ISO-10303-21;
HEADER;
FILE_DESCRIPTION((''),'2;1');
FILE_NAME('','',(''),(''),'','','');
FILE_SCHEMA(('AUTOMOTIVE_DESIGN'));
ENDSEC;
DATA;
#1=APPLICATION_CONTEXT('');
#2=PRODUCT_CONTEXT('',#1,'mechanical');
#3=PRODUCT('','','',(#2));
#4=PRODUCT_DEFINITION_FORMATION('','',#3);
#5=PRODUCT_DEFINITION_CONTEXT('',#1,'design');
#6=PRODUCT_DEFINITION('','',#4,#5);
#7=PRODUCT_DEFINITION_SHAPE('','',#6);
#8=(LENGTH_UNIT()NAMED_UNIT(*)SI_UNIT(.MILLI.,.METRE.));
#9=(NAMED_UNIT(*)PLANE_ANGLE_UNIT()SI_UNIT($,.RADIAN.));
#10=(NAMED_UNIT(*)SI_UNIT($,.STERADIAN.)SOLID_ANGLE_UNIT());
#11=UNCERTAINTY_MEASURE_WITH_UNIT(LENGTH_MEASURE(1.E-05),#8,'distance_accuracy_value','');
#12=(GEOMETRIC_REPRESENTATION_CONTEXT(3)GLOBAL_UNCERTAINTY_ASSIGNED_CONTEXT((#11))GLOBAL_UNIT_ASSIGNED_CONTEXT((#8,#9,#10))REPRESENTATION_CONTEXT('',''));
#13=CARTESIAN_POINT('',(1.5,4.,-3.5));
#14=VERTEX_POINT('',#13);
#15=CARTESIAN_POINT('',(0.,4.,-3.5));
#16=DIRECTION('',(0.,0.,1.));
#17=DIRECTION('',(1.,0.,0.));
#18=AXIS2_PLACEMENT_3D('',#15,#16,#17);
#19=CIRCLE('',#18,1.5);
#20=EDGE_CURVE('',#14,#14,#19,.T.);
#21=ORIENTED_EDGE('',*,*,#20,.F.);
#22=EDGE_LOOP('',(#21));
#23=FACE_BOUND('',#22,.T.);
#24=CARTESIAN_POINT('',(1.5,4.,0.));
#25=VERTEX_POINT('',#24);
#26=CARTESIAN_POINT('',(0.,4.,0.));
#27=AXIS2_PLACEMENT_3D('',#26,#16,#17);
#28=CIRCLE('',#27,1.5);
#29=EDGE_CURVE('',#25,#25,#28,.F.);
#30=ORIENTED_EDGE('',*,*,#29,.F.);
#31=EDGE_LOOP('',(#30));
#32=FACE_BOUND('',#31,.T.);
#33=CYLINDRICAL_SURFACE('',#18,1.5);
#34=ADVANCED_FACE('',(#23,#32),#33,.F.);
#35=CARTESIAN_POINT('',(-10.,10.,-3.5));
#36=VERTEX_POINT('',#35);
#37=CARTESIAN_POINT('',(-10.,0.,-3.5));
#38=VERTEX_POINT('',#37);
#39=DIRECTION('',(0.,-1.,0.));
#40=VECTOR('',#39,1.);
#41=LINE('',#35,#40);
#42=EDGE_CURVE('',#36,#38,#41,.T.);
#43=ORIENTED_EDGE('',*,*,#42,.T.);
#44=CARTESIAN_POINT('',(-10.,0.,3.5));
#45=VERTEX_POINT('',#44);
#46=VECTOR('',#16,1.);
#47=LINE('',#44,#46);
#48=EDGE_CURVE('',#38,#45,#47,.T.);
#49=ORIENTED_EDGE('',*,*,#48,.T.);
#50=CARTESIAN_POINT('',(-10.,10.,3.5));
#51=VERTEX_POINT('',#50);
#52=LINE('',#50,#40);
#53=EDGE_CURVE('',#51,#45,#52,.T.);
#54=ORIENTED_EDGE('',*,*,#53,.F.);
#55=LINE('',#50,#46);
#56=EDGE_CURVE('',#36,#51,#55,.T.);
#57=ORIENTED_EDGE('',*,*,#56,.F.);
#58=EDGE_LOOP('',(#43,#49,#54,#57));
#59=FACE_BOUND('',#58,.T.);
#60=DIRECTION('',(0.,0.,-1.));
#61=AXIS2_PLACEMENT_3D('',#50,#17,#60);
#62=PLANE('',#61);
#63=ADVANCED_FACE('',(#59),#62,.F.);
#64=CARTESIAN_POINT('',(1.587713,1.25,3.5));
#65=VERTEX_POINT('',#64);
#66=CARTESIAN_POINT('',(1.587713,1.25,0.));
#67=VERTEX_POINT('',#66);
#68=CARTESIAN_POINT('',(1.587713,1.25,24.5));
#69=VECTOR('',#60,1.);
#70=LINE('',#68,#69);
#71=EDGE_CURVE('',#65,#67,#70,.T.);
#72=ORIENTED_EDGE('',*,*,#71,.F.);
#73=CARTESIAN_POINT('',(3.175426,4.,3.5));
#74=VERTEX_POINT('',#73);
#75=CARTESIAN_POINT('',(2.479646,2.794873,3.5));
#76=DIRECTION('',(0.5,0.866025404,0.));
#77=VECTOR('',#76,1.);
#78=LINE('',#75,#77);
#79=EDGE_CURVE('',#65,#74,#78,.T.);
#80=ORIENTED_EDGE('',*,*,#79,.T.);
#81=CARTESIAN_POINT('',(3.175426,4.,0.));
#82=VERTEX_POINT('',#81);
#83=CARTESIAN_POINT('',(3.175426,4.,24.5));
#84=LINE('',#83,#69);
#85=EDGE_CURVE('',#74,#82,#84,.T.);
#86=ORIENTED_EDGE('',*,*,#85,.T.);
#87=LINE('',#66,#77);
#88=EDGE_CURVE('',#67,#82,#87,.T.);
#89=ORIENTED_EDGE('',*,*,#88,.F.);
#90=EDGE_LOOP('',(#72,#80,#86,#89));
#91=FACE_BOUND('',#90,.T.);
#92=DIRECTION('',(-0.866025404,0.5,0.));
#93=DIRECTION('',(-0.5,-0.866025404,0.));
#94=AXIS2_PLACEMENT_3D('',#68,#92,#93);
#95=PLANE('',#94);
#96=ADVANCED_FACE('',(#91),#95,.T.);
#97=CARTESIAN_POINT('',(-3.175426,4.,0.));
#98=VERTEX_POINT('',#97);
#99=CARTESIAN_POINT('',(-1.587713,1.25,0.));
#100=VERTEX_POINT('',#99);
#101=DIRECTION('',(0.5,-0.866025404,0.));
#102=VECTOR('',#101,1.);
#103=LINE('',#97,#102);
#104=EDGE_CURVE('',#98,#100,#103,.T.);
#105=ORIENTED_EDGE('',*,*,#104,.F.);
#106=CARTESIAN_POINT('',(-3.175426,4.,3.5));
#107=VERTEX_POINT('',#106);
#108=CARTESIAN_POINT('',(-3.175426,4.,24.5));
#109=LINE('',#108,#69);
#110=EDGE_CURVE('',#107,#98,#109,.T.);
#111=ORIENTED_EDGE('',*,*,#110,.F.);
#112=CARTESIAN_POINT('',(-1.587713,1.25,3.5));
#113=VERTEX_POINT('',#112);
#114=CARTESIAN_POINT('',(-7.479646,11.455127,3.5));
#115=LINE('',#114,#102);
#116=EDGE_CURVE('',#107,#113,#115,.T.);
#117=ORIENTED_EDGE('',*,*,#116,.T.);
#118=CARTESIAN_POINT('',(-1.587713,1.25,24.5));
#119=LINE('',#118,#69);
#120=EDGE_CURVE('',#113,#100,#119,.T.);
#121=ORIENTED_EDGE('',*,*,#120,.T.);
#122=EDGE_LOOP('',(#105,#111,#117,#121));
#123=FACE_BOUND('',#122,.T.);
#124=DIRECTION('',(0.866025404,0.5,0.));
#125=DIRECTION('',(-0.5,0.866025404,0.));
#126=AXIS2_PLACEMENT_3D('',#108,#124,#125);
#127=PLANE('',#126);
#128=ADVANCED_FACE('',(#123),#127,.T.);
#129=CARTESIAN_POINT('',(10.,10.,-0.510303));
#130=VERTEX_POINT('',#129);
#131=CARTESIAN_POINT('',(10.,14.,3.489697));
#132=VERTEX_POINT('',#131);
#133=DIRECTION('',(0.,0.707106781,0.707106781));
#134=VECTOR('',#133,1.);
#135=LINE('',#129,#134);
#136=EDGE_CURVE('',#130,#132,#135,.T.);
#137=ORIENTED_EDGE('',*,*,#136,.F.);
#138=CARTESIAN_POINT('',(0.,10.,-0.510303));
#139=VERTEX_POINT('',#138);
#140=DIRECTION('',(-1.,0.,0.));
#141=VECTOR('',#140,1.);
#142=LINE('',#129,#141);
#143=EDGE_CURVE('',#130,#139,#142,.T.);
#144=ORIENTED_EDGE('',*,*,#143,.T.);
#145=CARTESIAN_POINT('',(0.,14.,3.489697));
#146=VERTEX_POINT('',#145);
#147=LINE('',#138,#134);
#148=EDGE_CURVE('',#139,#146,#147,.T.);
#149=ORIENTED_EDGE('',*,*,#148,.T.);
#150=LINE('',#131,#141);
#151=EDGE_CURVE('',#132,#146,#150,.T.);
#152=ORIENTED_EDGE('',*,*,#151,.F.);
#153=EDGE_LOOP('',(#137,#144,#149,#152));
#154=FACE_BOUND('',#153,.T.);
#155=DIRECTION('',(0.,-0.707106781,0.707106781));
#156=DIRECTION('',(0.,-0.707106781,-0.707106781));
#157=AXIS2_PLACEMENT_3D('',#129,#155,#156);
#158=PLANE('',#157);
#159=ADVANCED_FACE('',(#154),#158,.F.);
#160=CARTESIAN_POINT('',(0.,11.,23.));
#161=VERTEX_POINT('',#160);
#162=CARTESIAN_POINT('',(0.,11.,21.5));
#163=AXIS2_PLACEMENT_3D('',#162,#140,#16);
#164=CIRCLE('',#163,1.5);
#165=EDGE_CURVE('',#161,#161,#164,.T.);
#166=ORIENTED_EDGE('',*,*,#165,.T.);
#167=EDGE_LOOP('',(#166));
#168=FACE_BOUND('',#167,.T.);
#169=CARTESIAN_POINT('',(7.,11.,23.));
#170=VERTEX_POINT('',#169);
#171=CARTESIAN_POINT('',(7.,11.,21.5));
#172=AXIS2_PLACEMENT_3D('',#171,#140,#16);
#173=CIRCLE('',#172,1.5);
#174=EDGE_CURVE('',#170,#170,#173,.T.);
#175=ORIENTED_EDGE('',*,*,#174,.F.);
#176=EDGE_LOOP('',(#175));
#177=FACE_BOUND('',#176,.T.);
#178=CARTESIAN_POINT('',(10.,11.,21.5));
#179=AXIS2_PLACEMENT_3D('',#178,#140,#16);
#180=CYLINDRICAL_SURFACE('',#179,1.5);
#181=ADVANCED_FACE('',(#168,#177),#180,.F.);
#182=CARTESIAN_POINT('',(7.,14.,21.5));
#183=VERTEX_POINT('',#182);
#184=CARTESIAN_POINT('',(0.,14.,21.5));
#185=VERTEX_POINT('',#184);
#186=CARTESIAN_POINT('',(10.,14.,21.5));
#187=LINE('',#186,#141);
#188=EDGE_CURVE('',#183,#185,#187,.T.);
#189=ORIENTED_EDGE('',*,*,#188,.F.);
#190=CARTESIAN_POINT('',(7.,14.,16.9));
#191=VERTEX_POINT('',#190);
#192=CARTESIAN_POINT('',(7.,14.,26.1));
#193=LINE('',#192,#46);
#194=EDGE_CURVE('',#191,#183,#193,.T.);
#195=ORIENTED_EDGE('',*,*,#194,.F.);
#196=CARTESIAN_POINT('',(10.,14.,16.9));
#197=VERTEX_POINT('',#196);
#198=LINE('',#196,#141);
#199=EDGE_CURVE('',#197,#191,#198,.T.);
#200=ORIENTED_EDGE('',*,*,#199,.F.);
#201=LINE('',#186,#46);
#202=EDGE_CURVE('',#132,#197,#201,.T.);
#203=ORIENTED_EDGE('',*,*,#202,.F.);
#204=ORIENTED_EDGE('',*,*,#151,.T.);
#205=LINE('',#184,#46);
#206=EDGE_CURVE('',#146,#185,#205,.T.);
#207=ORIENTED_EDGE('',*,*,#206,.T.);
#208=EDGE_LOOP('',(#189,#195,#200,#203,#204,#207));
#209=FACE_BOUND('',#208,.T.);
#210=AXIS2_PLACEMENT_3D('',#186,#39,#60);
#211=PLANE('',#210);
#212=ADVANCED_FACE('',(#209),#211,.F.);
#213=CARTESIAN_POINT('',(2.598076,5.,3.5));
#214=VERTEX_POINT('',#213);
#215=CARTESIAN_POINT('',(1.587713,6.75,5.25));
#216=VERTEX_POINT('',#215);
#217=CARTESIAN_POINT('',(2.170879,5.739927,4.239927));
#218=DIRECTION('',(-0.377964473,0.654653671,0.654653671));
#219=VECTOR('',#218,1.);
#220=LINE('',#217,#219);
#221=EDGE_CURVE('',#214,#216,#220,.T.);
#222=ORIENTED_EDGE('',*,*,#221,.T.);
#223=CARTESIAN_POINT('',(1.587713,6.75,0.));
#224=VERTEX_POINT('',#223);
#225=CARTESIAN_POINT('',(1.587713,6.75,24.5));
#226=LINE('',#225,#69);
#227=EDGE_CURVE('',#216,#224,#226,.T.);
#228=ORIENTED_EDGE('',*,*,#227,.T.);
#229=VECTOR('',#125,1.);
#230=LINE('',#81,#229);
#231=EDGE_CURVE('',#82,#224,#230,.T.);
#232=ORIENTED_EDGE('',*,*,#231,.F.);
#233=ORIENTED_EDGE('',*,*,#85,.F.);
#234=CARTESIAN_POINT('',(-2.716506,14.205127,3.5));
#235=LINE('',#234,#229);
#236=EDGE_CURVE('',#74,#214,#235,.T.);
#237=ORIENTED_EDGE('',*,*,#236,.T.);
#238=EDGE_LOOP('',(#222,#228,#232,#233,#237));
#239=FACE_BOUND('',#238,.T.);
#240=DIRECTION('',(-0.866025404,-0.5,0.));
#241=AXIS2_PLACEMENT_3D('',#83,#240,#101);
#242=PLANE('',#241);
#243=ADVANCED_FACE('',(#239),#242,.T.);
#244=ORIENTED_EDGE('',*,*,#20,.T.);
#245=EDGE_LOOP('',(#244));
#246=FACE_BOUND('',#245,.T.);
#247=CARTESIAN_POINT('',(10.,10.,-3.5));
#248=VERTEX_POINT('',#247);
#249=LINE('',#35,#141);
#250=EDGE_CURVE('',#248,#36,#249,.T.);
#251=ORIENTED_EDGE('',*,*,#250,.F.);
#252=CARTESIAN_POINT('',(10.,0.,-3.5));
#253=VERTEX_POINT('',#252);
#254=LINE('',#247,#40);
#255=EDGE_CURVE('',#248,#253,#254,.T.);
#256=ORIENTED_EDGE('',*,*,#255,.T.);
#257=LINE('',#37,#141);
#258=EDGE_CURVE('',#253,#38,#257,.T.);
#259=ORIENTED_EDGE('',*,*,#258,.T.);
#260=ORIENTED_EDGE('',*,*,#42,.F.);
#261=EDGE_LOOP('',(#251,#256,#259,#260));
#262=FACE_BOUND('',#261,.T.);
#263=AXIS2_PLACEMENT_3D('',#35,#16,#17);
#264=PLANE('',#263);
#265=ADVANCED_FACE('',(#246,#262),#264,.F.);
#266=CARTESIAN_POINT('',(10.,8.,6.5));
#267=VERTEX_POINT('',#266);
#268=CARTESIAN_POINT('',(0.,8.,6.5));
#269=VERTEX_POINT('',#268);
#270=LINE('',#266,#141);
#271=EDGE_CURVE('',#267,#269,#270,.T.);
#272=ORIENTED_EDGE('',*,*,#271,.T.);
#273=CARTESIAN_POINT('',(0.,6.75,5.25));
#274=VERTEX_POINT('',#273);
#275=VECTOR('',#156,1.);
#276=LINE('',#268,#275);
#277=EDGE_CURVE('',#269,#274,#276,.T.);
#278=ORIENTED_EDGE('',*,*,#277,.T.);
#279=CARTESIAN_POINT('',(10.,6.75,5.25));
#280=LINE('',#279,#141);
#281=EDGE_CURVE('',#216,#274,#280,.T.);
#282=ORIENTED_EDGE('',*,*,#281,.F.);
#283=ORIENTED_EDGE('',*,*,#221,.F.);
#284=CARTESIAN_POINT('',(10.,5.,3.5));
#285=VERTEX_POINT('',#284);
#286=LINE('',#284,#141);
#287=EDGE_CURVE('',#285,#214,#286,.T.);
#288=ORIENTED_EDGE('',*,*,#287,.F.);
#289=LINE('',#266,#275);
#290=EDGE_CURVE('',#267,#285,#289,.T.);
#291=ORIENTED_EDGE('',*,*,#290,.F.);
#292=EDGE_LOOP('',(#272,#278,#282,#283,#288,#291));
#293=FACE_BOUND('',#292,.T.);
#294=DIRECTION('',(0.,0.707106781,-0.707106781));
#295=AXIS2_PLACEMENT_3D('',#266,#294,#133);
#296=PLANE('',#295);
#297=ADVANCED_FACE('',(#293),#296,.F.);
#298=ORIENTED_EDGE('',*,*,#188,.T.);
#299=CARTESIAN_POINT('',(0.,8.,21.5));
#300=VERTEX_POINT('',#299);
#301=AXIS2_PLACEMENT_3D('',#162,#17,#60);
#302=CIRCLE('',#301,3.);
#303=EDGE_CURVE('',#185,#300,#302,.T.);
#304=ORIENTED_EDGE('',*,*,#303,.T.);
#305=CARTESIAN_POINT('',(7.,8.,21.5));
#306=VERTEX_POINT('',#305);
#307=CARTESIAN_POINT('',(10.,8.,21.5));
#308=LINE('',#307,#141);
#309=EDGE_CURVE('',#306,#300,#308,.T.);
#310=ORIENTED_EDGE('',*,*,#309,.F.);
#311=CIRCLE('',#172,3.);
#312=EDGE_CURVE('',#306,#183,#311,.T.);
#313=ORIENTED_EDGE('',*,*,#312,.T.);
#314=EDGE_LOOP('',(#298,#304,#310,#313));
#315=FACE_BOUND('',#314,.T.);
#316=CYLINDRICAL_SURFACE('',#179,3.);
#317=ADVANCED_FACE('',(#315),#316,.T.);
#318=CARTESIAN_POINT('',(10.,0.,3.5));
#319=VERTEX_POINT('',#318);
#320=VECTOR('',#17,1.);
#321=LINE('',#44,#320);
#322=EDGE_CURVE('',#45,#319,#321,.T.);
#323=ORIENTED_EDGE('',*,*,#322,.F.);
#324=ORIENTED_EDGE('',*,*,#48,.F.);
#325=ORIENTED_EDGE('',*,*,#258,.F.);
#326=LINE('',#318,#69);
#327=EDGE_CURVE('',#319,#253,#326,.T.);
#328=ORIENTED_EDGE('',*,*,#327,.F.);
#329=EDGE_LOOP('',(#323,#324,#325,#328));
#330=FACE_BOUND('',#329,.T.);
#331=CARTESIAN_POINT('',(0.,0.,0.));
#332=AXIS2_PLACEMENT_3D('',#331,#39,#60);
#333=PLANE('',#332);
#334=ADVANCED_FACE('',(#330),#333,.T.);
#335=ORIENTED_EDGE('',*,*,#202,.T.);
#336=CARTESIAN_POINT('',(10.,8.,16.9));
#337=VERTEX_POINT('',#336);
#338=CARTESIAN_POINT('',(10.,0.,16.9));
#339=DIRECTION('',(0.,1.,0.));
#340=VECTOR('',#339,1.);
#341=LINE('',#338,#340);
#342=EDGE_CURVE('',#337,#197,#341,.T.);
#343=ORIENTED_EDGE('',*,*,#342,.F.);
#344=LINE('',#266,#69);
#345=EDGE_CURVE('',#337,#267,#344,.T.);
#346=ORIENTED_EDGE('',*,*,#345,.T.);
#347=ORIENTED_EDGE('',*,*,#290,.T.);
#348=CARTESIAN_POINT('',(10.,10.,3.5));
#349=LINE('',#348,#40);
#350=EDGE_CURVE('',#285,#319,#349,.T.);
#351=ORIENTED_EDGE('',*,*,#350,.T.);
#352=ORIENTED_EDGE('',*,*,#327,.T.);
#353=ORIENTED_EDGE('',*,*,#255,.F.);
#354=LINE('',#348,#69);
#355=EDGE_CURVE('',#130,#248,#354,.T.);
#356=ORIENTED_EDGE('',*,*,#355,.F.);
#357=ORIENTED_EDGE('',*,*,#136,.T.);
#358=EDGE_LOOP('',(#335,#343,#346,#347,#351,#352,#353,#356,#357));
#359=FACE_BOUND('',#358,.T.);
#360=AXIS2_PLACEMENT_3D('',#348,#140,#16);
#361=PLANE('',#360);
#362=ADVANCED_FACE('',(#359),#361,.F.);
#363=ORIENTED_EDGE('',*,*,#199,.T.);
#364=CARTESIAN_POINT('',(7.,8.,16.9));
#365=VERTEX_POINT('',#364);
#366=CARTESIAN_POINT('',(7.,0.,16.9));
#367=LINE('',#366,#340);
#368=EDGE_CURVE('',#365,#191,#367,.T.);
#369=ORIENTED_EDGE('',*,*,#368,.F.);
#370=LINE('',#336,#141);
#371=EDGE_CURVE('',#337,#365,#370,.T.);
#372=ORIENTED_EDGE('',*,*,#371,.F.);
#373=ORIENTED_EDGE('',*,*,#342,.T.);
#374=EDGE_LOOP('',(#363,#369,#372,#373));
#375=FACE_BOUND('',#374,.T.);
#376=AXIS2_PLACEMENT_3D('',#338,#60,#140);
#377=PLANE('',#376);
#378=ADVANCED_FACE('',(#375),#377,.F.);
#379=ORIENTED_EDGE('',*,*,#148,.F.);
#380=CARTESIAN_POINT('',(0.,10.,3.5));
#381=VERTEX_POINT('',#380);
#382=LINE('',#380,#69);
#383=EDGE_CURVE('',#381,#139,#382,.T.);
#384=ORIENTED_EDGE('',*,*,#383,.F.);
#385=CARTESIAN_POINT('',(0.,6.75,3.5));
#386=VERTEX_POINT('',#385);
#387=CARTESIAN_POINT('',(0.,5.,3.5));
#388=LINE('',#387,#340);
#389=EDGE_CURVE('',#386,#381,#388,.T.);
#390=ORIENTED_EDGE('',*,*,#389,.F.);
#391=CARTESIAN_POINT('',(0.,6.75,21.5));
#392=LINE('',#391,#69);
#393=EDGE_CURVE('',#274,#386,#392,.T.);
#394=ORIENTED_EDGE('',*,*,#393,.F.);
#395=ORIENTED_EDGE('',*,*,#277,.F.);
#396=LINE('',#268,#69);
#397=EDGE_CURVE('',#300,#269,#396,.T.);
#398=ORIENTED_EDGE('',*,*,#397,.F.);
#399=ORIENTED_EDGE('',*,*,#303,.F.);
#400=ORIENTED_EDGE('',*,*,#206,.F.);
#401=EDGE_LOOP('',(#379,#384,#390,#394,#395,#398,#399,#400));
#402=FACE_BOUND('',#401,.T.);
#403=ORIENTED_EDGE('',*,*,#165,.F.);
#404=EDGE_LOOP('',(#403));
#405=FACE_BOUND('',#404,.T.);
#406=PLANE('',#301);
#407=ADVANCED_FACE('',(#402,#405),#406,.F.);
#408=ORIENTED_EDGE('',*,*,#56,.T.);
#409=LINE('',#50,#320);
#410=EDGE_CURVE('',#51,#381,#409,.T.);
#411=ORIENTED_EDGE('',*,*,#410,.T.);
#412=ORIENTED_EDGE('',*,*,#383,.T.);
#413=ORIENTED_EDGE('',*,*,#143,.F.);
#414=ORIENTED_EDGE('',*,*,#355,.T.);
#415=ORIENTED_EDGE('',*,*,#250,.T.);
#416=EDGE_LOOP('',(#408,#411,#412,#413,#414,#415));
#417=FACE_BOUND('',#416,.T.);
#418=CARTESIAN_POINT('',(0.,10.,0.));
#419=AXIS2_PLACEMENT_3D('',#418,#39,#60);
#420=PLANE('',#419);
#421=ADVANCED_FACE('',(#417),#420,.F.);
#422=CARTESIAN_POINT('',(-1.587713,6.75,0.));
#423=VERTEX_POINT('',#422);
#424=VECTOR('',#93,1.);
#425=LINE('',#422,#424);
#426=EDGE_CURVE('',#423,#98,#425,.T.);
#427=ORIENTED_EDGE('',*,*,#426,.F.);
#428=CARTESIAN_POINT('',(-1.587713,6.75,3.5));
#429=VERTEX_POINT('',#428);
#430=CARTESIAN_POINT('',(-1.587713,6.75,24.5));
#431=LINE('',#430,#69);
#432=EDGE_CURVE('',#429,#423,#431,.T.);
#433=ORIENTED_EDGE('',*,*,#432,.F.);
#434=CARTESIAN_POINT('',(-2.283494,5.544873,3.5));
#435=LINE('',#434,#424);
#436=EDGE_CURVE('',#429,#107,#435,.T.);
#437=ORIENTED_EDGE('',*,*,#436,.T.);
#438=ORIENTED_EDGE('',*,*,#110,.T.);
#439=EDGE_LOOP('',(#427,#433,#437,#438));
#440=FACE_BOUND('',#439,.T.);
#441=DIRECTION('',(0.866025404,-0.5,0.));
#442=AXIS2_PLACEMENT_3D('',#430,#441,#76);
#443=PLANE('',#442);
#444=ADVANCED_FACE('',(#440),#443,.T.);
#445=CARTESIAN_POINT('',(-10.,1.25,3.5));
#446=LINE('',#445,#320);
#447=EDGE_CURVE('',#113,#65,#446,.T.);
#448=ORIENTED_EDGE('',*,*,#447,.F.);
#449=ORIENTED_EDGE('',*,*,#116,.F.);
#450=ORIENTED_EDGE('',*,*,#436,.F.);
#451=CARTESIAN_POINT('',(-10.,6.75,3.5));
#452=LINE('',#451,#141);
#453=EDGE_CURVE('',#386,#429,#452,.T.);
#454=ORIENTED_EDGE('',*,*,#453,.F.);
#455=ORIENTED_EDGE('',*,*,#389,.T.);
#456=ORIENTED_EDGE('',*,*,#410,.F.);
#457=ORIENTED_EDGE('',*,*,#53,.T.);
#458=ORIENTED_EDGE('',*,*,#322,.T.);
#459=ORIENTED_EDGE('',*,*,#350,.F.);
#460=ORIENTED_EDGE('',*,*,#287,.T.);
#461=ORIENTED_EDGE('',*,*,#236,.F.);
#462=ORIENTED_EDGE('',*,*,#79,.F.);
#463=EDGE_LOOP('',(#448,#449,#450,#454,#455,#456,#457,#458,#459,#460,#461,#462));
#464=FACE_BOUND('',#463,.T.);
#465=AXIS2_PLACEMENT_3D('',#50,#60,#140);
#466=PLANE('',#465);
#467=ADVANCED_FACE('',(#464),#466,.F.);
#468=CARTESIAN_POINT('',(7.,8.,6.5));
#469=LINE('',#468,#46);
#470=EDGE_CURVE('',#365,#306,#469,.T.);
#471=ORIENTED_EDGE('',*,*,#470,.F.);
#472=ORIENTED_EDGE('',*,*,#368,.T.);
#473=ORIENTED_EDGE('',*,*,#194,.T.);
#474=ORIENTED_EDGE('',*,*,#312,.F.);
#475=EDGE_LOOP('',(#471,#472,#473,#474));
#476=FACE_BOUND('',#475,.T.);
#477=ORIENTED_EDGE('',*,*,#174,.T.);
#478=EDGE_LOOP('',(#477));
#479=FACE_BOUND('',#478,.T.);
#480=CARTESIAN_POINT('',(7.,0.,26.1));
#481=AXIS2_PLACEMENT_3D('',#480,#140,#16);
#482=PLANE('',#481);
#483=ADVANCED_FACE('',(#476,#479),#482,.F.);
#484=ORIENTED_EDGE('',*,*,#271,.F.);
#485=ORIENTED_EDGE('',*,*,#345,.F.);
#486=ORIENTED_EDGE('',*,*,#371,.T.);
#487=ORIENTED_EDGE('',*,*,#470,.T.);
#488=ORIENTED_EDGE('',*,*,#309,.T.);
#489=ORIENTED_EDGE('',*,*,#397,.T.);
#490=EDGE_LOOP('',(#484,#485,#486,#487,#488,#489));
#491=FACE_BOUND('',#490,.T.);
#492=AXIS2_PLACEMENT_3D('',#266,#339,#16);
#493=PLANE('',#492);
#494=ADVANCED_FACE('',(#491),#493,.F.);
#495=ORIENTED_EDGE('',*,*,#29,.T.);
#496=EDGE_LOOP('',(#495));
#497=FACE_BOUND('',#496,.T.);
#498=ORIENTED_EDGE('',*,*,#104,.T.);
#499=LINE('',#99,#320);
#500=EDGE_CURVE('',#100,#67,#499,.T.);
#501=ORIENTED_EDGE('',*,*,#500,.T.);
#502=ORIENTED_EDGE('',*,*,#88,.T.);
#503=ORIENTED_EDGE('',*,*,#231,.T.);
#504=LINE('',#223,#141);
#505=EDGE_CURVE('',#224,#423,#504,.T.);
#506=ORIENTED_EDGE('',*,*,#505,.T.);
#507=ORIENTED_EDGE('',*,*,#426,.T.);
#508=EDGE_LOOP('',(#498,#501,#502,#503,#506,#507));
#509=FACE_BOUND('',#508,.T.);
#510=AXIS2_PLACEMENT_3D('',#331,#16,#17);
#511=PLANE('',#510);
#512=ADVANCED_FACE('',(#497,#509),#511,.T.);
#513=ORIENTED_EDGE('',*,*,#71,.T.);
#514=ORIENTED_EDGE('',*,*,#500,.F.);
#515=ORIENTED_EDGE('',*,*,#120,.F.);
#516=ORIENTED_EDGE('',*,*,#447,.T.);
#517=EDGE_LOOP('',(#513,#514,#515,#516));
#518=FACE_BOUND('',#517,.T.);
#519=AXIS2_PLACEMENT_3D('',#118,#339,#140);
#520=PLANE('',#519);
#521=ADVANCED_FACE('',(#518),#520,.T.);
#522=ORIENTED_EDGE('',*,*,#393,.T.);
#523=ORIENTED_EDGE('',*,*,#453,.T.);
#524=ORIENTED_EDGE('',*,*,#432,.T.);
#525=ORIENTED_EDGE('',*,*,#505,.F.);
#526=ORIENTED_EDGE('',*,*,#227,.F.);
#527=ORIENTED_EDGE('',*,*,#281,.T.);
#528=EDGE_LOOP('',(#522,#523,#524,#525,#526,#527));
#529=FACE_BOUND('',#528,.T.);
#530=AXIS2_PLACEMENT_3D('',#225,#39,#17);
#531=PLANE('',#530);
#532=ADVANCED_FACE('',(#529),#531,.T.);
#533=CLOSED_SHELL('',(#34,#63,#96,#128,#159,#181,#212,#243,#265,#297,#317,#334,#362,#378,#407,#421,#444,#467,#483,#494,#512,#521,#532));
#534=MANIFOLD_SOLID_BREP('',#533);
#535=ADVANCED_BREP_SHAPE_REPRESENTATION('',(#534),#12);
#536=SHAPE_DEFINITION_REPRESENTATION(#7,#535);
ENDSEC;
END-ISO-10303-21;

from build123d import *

# Parameters (mm, degrees)
ESQUISSE1_W                  = 20
ESQUISSE1_H                  = 7
BOSS_EXTRU_1_DEPTH           = 10
BOSS_EXTRU_2_DEPTH           = 10
ESQUISSE3_W                  = 3
ESQUISSE3_H                  = 9.2
ENL_V_MAT_EXTRU_1_DEPTH      = 30.93743476
ESQUISSE4_R                  = 1.5
ENL_V_MAT_EXTRU_2_DEPTH      = 30.93743476
ENL_V_MAT_EXTRU_4_DEPTH      = 28.147743921
ENL_V_MAT_EXTRU_4_DEPTH_BACK = 28.147743921
ESQUISSE7_R                  = 1.5
ENL_V_MAT_EXTRU_3_DEPTH      = 28.147743921
ENL_V_MAT_EXTRU_3_DEPTH_BACK = 3.5


with BuildPart() as part:
    # Esquisse1 → Boss.-Extru.1 (new body)
    with BuildSketch(Plane(origin=(0, 0, 0), x_dir=(1, 0, 0), z_dir=(0, 1, 0))):
        Rectangle(ESQUISSE1_W, ESQUISSE1_H)
    extrude(amount=BOSS_EXTRU_1_DEPTH)

    # Esquisse2 → Boss.-Extru.2 (add)
    with BuildSketch(Plane(origin=(0, 0, 0), x_dir=(0, 0, -1), z_dir=(1, 0, 0))):
        with BuildLine():
            Line((-3.5, 5), (-3.5, 10))
            Line((-3.5, 10), (0.510302645, 10))
            Line((0.510302645, 10), (-3.489697355, 14))
            Line((-3.489697355, 14), (-21.5, 14))
            ThreePointArc((-21.5, 14), (-24.5, 11), (-21.5, 8))
            Line((-21.5, 8), (-6.5, 8))
            Line((-6.5, 8), (-3.5, 5))
        make_face()
    extrude(amount=BOSS_EXTRU_2_DEPTH)

    # Esquisse3 → Enlèv. mat.-Extru.1 (cut, through all)
    with BuildSketch(Plane(origin=(0, 14, 0), x_dir=(1, 0, 0), z_dir=(0, 1, 0))):
        with Locations((8.5, -21.5)):
            Rectangle(ESQUISSE3_W, ESQUISSE3_H)
    extrude(amount=-ENL_V_MAT_EXTRU_1_DEPTH, mode=Mode.SUBTRACT)

    # Esquisse4 → Enlèv. mat.-Extru.2 (cut, through all)
    with BuildSketch(Plane.ZY):
        with Locations((21.5, 11)):
            Circle(ESQUISSE4_R)
    extrude(amount=-ENL_V_MAT_EXTRU_2_DEPTH, mode=Mode.SUBTRACT)

    # Esquisse7 → Enlèv. mat.-Extru.4 (cut, two sides: drawn at the far end of the back side and taken through both)
    with BuildSketch(Plane.XY.offset(3.5).offset(-ENL_V_MAT_EXTRU_4_DEPTH_BACK)):
        with Locations((0, 4)):
            Circle(ESQUISSE7_R)
    extrude(amount=ENL_V_MAT_EXTRU_4_DEPTH + ENL_V_MAT_EXTRU_4_DEPTH_BACK, mode=Mode.SUBTRACT)

    # Esquisse5 → Enlèv. mat.-Extru.3 (cut, two sides: drawn at the far end of the back side and taken through both)
    with BuildSketch(Plane.XY.offset(3.5).offset(-ENL_V_MAT_EXTRU_3_DEPTH_BACK)):
        Polygon((-1.58771324, 6.75), (-3.175426481, 4), (-1.58771324, 1.25), (1.58771324, 1.25), (3.175426481, 4), (1.58771324, 6.75), align=None)
    extrude(amount=ENL_V_MAT_EXTRU_3_DEPTH + ENL_V_MAT_EXTRU_3_DEPTH_BACK, mode=Mode.SUBTRACT)


solid = part.part
